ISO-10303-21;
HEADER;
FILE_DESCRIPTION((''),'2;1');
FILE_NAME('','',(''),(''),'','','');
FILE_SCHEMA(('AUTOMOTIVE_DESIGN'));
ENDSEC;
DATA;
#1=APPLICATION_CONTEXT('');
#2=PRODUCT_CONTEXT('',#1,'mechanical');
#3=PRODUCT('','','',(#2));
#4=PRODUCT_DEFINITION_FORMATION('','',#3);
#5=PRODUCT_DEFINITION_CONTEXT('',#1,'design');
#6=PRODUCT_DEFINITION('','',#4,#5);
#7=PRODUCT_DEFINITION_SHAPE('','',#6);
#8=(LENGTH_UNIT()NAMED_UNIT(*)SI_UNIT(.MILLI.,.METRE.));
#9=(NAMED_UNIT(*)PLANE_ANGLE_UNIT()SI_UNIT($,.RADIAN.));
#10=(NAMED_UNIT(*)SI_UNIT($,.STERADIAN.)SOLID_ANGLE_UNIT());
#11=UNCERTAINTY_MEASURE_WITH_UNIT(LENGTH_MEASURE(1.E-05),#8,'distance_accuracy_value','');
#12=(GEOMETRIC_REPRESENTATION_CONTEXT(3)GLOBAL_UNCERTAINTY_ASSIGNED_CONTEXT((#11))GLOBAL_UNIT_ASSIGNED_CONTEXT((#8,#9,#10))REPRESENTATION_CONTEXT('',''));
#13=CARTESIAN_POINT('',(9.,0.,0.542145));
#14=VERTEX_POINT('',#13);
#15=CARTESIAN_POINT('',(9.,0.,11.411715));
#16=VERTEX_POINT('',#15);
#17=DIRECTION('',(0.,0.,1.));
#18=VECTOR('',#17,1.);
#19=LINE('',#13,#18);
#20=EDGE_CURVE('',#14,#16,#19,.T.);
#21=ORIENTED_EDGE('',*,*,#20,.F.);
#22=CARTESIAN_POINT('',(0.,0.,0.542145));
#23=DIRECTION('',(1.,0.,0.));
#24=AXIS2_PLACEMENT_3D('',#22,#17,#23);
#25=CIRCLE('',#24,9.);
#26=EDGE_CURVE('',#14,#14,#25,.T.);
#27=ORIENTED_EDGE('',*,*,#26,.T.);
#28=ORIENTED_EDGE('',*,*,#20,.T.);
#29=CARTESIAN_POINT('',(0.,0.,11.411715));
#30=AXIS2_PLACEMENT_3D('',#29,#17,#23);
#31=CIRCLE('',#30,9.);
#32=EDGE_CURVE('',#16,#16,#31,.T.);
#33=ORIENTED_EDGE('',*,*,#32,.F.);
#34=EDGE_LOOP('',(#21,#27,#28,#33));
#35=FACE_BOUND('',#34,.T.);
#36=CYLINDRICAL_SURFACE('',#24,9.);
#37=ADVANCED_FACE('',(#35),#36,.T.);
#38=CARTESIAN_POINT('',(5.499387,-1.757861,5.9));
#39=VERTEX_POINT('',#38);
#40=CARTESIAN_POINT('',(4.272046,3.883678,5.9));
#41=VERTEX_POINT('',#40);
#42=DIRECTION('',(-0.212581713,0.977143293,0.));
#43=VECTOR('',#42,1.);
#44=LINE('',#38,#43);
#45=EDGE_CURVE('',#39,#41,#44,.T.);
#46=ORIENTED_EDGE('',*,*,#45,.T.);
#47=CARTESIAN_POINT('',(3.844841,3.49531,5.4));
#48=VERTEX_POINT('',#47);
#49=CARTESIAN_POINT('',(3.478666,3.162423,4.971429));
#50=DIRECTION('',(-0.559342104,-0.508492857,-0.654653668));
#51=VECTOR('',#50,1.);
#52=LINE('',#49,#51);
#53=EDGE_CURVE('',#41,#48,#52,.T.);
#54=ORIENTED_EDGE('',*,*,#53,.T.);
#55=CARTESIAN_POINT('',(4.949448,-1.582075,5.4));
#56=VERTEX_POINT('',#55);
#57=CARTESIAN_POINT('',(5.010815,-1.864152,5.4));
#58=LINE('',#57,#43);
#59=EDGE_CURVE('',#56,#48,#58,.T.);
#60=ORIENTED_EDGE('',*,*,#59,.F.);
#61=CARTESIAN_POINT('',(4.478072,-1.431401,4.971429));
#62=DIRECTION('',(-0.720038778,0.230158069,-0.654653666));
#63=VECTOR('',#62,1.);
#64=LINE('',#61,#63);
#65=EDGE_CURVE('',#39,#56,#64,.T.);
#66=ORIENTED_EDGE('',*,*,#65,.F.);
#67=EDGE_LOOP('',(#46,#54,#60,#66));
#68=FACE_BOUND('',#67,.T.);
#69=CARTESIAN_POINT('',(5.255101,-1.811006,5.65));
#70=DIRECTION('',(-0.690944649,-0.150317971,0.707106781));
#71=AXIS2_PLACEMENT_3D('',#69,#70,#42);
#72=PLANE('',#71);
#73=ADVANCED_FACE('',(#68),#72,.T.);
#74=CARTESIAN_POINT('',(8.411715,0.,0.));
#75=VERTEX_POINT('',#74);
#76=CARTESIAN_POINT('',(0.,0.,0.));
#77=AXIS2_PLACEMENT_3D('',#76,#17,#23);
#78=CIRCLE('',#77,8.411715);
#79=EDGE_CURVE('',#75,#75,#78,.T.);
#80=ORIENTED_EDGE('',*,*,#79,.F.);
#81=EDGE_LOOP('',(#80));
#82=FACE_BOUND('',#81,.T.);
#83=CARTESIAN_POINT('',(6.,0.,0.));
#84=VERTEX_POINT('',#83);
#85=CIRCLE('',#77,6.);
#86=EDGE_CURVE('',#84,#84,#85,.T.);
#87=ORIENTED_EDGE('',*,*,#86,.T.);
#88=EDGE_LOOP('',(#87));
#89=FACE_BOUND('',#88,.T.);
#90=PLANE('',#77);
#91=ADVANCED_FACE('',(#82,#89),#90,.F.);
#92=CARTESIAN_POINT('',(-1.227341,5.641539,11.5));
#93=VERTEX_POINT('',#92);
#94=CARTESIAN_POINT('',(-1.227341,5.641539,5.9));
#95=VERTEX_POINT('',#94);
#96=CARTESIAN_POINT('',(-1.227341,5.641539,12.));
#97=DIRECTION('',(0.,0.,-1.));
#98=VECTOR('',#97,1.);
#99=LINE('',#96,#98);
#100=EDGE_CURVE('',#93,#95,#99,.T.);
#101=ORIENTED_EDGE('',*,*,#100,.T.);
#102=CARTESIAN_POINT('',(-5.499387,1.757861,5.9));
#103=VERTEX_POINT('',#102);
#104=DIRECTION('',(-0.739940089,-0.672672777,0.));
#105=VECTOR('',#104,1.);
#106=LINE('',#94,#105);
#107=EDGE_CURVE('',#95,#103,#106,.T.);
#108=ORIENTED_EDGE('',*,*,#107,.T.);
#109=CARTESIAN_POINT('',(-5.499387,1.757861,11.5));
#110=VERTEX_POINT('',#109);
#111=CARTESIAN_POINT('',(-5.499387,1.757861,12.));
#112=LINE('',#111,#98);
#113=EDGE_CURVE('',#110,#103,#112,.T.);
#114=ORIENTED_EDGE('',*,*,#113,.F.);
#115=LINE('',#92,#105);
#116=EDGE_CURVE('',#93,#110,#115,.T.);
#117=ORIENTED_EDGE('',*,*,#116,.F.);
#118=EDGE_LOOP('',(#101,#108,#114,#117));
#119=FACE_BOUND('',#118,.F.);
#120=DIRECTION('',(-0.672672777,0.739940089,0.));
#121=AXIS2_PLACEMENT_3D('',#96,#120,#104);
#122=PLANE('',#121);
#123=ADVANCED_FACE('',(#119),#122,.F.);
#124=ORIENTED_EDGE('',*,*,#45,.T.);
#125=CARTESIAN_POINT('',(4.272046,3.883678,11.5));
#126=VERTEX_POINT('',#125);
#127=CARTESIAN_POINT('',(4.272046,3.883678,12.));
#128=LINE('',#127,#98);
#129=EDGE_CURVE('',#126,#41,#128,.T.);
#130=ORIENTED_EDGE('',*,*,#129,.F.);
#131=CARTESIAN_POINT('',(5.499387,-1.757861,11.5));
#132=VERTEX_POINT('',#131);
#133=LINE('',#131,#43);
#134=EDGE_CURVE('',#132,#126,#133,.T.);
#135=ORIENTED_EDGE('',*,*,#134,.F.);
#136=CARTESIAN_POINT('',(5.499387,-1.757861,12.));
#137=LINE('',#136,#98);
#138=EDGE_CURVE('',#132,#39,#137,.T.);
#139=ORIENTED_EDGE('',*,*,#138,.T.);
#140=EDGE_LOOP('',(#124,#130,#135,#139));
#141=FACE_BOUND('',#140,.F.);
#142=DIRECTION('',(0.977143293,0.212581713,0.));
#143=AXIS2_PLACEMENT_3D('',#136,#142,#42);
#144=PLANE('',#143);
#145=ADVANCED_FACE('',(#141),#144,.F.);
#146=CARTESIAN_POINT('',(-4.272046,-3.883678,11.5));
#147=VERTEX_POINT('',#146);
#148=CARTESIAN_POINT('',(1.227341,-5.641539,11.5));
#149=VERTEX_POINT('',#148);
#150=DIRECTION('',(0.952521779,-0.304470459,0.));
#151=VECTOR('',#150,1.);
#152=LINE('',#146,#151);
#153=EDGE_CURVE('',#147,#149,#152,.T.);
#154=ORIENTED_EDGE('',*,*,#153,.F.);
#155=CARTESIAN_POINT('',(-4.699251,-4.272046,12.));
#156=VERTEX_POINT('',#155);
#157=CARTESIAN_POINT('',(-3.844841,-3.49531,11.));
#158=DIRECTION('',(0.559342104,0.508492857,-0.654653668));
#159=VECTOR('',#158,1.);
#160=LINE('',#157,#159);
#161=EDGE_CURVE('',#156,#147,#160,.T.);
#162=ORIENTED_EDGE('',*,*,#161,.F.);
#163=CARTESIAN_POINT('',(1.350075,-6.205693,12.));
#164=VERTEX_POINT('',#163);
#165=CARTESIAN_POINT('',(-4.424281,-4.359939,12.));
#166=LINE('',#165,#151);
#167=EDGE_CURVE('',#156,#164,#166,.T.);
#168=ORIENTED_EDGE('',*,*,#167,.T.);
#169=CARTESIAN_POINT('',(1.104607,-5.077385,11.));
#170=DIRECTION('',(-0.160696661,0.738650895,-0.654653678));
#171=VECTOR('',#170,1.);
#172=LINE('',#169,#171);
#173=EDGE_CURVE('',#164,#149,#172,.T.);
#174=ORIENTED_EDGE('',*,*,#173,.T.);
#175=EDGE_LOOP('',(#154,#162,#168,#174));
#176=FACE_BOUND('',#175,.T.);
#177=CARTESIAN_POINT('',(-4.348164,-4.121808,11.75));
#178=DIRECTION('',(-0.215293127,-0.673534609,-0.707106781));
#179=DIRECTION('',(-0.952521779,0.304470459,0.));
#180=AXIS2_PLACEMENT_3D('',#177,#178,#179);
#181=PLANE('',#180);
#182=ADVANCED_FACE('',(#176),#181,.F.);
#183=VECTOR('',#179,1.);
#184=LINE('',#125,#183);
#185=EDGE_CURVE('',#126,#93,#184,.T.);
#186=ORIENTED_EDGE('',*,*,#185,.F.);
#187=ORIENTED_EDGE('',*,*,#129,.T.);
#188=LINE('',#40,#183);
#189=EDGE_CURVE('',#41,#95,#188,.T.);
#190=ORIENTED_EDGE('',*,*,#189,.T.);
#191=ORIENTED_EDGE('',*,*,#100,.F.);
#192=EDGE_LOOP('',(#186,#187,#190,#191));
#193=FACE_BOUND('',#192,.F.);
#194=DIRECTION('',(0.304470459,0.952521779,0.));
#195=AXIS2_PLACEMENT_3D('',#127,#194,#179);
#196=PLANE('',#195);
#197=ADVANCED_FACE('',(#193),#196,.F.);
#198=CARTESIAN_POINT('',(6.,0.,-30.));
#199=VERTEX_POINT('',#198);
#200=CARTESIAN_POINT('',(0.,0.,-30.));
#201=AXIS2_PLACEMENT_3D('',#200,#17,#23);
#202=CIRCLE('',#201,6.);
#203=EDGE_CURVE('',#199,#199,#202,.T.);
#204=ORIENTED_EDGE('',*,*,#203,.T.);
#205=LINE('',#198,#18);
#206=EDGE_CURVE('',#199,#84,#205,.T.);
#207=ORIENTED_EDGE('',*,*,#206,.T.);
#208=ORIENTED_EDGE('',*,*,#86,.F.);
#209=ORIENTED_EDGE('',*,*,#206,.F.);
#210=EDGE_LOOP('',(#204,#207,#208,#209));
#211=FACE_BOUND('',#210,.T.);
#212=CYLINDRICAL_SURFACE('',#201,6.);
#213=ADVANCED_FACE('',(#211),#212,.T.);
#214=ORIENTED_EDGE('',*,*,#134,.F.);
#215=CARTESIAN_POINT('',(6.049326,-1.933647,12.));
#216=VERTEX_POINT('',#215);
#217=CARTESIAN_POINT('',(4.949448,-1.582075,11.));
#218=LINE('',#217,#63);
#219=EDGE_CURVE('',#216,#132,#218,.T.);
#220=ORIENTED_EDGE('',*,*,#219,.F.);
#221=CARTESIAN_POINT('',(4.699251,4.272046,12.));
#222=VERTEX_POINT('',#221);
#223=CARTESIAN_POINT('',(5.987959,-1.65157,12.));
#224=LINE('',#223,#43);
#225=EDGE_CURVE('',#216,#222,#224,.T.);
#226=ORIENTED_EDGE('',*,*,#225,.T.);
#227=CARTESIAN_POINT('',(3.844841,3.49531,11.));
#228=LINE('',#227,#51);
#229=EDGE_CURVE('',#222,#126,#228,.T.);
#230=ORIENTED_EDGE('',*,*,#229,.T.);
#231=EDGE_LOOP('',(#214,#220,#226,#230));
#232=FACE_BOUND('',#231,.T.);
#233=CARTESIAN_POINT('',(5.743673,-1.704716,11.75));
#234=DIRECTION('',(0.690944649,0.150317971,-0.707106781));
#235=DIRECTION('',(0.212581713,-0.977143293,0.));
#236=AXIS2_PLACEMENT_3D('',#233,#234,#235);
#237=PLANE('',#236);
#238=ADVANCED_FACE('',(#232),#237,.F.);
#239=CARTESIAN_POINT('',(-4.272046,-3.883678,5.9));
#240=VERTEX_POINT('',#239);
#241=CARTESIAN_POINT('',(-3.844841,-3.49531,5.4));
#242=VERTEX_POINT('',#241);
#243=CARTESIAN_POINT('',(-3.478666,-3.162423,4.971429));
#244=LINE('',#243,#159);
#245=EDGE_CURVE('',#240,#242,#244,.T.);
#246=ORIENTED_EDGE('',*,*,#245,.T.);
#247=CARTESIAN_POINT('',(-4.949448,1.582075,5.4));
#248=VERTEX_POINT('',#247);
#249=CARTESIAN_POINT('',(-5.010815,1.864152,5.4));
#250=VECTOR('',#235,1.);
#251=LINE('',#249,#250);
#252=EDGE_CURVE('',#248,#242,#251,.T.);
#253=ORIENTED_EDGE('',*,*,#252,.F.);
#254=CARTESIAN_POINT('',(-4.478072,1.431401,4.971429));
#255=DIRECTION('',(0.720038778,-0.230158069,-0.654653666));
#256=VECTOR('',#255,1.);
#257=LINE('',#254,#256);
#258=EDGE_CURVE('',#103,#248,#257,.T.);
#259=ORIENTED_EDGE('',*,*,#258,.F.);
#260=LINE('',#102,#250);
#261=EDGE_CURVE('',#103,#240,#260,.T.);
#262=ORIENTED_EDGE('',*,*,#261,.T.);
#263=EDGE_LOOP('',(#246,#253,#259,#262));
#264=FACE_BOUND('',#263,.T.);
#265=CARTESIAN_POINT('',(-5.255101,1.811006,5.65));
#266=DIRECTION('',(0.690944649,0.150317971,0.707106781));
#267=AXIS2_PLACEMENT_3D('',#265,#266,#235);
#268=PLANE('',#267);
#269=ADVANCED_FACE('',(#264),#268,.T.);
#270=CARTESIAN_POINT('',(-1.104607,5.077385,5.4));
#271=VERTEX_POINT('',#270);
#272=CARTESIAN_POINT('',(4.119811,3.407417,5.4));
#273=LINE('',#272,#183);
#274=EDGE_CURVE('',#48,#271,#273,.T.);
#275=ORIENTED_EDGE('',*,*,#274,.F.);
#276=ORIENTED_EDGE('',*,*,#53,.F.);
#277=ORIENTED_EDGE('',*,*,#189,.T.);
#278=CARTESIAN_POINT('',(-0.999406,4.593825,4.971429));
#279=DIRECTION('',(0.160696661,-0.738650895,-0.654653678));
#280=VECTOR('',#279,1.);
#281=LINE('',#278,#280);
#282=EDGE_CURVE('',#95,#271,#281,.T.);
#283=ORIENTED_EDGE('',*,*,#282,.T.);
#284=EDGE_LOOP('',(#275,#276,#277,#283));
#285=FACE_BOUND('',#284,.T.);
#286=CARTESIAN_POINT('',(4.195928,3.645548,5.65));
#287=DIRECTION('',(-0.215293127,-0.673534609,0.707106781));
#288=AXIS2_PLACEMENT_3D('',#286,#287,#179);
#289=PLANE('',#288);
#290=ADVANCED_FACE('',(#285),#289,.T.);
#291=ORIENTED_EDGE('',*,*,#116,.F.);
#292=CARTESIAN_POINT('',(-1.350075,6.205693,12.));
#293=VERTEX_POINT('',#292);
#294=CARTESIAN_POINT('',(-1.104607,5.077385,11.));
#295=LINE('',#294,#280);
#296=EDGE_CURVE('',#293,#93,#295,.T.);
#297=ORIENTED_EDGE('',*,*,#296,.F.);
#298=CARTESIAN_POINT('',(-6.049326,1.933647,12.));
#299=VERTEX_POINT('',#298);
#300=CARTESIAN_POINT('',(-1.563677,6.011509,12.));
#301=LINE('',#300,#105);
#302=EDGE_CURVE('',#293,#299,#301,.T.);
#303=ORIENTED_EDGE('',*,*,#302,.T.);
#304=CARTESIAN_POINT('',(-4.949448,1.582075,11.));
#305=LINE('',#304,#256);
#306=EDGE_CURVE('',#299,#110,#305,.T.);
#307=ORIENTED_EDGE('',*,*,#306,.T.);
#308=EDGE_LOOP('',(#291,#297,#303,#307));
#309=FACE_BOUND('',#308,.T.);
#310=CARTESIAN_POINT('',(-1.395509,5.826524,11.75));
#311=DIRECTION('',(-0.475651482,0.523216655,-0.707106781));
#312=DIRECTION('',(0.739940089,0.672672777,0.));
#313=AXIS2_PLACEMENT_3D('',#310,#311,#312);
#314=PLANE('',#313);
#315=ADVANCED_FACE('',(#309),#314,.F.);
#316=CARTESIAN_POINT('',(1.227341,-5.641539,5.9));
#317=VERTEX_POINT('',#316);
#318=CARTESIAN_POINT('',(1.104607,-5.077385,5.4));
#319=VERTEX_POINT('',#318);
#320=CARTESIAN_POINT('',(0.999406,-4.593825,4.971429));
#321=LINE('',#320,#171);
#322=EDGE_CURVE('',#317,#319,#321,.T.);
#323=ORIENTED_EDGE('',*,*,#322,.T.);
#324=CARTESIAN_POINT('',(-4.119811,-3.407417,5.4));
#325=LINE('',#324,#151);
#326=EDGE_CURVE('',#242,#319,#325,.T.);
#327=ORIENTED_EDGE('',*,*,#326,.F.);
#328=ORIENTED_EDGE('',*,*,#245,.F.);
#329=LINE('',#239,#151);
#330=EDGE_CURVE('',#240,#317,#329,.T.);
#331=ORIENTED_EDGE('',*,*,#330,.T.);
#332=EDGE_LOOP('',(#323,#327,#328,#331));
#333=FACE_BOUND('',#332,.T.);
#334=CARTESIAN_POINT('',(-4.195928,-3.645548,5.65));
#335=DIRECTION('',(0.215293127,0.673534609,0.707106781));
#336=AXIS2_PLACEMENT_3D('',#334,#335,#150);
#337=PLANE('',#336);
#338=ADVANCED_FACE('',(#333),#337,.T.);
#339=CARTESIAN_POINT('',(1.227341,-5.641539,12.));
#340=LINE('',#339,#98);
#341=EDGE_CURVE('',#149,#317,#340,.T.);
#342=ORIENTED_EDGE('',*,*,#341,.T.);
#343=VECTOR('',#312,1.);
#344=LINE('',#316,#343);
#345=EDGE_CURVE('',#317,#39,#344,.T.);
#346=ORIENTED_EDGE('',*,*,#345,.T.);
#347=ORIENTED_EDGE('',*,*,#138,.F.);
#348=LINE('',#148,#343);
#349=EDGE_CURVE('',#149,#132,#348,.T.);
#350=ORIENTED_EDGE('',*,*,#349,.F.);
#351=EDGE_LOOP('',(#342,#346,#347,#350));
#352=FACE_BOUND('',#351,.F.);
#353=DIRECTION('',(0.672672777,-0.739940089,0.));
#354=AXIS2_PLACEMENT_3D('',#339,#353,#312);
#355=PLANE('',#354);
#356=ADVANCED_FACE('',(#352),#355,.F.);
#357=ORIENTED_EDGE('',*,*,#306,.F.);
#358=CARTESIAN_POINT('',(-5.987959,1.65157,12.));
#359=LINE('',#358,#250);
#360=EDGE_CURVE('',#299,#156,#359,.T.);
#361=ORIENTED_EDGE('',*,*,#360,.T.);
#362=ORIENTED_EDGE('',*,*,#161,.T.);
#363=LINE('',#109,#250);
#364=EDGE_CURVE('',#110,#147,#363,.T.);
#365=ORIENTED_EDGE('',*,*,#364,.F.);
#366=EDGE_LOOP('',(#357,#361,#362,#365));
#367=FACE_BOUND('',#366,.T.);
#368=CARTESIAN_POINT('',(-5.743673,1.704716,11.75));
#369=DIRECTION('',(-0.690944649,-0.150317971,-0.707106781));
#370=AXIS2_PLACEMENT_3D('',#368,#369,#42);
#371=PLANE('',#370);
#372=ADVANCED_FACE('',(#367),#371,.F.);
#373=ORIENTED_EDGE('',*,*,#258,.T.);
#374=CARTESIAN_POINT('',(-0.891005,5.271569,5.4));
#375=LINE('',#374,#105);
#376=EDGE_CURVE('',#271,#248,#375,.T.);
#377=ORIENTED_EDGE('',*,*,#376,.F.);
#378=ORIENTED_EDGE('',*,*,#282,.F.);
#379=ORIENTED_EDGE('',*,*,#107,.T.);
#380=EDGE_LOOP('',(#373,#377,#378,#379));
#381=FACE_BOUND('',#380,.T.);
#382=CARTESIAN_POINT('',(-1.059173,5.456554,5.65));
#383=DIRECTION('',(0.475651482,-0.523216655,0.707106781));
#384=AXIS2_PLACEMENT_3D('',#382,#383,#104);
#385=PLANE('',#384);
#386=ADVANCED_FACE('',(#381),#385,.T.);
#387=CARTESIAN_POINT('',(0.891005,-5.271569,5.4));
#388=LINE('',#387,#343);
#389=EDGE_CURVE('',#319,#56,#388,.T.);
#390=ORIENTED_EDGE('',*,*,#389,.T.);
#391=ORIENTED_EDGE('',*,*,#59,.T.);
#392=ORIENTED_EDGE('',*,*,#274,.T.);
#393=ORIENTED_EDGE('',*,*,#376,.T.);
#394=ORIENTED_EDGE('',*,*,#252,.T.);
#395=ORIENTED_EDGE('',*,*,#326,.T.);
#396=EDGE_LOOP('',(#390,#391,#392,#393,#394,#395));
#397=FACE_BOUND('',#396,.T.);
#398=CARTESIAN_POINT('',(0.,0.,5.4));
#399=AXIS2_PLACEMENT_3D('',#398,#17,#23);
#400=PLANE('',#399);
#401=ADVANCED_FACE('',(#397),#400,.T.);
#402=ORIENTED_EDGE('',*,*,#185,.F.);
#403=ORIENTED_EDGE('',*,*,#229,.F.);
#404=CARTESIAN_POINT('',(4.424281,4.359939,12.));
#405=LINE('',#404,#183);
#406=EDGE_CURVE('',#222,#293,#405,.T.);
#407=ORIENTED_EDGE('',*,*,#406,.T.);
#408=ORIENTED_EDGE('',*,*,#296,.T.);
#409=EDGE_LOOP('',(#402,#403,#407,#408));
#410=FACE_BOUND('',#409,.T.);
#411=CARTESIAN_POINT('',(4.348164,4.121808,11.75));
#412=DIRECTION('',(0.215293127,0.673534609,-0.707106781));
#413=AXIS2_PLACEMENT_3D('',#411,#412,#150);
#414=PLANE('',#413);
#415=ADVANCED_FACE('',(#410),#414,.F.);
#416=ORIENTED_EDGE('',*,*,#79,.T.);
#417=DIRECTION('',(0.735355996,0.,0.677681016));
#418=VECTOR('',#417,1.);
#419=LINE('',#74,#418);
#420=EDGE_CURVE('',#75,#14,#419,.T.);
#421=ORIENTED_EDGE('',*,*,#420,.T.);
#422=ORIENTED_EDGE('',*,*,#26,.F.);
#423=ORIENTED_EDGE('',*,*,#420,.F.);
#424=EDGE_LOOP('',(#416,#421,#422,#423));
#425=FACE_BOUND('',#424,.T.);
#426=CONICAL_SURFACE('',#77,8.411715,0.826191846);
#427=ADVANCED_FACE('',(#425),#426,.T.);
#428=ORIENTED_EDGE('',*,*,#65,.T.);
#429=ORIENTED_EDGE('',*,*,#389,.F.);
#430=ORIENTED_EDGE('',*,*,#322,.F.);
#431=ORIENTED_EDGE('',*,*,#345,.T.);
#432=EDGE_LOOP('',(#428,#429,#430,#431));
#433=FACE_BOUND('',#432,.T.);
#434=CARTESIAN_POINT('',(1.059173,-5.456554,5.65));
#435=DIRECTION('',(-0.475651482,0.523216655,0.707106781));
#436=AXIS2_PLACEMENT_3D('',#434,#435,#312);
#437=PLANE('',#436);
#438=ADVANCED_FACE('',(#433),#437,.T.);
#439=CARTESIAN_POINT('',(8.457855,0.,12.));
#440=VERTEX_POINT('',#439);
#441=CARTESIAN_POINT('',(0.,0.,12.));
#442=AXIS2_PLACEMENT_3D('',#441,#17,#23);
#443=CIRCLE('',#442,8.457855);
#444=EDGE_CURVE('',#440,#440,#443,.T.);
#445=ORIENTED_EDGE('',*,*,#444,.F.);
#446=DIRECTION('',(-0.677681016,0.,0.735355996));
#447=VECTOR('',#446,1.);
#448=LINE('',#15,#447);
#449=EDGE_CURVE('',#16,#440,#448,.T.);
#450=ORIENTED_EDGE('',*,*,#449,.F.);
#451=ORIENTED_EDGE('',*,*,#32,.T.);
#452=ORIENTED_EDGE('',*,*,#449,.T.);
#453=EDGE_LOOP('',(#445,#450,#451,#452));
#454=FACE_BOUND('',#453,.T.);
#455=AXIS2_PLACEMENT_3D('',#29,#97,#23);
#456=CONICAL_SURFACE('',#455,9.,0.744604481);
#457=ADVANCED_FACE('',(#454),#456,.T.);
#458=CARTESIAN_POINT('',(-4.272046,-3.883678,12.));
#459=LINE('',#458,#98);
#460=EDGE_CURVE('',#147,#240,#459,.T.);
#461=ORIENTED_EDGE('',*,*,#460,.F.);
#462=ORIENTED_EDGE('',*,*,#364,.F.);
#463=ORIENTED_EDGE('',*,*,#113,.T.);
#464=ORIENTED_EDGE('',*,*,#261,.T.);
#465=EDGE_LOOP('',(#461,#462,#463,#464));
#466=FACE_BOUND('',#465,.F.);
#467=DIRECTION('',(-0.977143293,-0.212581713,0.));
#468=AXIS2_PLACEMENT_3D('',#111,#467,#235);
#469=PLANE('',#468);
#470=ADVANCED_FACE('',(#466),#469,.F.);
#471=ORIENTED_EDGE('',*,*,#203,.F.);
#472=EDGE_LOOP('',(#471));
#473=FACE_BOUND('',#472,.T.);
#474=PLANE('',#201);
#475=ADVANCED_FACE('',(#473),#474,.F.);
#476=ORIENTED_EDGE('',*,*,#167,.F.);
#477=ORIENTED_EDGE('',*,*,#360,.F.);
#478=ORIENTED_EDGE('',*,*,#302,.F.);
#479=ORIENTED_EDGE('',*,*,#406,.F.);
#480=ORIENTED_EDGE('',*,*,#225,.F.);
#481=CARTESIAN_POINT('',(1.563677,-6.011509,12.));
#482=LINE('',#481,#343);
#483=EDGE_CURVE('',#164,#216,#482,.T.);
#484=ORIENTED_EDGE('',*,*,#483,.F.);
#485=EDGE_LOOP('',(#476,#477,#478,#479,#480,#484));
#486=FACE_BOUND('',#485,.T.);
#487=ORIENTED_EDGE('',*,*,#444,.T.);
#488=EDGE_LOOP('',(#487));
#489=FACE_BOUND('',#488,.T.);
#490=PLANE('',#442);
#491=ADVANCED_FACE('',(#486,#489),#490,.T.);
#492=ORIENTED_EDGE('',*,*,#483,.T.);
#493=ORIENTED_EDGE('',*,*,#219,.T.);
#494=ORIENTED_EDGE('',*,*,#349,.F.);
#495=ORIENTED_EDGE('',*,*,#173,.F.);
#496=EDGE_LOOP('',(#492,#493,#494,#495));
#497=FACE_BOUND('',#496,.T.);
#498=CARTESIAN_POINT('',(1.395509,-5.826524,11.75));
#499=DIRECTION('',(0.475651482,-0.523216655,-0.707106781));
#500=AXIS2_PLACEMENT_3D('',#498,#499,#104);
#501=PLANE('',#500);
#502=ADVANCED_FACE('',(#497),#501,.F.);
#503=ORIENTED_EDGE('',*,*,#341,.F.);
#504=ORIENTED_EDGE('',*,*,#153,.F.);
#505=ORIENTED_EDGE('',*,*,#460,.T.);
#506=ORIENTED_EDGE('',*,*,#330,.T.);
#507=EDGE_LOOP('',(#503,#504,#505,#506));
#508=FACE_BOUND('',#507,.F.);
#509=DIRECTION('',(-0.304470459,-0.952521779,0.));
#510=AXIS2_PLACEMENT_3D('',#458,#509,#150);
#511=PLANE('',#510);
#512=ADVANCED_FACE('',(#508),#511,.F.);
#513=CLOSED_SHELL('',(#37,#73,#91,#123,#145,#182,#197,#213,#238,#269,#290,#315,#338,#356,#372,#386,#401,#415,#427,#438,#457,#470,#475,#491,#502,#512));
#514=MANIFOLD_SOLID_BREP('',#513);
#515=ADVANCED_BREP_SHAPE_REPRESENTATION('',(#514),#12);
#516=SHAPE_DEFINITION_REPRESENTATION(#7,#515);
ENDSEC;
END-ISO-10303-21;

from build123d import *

# Parameters (mm, degrees)
F3_DEPTH = 6.6
F4_SIZE  = 0.5


with BuildPart() as f1:
    # F0 (on Front) → F1 (revolve)
    with BuildSketch(Plane.XZ):
        Polygon((8.457855, 12), (0, 12), (0, -30), (6, -30), (6, 0), (8.411715, 0), (9, 0.542145), (9, 11.411715), align=None)
    revolve(axis=Axis((0, 0, -9), (0, 0, 1)))

    # F2 (on face) → F3 (cut)
    with BuildSketch(Plane.XY.offset(12)):
        Polygon((-1.227341, 5.641539), (-5.499387, 1.757861), (-4.272046, -3.883678), (1.227341, -5.641539), (5.499387, -1.757861), (4.272046, 3.883678), align=None)
    extrude(amount=-F3_DEPTH, mode=Mode.SUBTRACT)

    # F4
    f4_edges = [f1.edges().sort_by_distance(p)[0] for p in [
        (3.363364, -3.6997, 12),
        (-1.522352, -4.762609, 12),
        (-4.885716, -1.062909, 12),
        (-3.363364, 3.6997, 12),
        (1.522352, 4.762609, 12),
        (4.885716, 1.062909, 12),
        (4.885716, 1.062909, 5.4),
        (3.363364, -3.6997, 5.4),
        (-1.522352, -4.762609, 5.4),
        (-4.885716, -1.062909, 5.4),
        (-3.363364, 3.6997, 5.4),
        (1.522352, 4.762609, 5.4),
    ]]
    chamfer(f4_edges, length=F4_SIZE)


solid = f1.part
